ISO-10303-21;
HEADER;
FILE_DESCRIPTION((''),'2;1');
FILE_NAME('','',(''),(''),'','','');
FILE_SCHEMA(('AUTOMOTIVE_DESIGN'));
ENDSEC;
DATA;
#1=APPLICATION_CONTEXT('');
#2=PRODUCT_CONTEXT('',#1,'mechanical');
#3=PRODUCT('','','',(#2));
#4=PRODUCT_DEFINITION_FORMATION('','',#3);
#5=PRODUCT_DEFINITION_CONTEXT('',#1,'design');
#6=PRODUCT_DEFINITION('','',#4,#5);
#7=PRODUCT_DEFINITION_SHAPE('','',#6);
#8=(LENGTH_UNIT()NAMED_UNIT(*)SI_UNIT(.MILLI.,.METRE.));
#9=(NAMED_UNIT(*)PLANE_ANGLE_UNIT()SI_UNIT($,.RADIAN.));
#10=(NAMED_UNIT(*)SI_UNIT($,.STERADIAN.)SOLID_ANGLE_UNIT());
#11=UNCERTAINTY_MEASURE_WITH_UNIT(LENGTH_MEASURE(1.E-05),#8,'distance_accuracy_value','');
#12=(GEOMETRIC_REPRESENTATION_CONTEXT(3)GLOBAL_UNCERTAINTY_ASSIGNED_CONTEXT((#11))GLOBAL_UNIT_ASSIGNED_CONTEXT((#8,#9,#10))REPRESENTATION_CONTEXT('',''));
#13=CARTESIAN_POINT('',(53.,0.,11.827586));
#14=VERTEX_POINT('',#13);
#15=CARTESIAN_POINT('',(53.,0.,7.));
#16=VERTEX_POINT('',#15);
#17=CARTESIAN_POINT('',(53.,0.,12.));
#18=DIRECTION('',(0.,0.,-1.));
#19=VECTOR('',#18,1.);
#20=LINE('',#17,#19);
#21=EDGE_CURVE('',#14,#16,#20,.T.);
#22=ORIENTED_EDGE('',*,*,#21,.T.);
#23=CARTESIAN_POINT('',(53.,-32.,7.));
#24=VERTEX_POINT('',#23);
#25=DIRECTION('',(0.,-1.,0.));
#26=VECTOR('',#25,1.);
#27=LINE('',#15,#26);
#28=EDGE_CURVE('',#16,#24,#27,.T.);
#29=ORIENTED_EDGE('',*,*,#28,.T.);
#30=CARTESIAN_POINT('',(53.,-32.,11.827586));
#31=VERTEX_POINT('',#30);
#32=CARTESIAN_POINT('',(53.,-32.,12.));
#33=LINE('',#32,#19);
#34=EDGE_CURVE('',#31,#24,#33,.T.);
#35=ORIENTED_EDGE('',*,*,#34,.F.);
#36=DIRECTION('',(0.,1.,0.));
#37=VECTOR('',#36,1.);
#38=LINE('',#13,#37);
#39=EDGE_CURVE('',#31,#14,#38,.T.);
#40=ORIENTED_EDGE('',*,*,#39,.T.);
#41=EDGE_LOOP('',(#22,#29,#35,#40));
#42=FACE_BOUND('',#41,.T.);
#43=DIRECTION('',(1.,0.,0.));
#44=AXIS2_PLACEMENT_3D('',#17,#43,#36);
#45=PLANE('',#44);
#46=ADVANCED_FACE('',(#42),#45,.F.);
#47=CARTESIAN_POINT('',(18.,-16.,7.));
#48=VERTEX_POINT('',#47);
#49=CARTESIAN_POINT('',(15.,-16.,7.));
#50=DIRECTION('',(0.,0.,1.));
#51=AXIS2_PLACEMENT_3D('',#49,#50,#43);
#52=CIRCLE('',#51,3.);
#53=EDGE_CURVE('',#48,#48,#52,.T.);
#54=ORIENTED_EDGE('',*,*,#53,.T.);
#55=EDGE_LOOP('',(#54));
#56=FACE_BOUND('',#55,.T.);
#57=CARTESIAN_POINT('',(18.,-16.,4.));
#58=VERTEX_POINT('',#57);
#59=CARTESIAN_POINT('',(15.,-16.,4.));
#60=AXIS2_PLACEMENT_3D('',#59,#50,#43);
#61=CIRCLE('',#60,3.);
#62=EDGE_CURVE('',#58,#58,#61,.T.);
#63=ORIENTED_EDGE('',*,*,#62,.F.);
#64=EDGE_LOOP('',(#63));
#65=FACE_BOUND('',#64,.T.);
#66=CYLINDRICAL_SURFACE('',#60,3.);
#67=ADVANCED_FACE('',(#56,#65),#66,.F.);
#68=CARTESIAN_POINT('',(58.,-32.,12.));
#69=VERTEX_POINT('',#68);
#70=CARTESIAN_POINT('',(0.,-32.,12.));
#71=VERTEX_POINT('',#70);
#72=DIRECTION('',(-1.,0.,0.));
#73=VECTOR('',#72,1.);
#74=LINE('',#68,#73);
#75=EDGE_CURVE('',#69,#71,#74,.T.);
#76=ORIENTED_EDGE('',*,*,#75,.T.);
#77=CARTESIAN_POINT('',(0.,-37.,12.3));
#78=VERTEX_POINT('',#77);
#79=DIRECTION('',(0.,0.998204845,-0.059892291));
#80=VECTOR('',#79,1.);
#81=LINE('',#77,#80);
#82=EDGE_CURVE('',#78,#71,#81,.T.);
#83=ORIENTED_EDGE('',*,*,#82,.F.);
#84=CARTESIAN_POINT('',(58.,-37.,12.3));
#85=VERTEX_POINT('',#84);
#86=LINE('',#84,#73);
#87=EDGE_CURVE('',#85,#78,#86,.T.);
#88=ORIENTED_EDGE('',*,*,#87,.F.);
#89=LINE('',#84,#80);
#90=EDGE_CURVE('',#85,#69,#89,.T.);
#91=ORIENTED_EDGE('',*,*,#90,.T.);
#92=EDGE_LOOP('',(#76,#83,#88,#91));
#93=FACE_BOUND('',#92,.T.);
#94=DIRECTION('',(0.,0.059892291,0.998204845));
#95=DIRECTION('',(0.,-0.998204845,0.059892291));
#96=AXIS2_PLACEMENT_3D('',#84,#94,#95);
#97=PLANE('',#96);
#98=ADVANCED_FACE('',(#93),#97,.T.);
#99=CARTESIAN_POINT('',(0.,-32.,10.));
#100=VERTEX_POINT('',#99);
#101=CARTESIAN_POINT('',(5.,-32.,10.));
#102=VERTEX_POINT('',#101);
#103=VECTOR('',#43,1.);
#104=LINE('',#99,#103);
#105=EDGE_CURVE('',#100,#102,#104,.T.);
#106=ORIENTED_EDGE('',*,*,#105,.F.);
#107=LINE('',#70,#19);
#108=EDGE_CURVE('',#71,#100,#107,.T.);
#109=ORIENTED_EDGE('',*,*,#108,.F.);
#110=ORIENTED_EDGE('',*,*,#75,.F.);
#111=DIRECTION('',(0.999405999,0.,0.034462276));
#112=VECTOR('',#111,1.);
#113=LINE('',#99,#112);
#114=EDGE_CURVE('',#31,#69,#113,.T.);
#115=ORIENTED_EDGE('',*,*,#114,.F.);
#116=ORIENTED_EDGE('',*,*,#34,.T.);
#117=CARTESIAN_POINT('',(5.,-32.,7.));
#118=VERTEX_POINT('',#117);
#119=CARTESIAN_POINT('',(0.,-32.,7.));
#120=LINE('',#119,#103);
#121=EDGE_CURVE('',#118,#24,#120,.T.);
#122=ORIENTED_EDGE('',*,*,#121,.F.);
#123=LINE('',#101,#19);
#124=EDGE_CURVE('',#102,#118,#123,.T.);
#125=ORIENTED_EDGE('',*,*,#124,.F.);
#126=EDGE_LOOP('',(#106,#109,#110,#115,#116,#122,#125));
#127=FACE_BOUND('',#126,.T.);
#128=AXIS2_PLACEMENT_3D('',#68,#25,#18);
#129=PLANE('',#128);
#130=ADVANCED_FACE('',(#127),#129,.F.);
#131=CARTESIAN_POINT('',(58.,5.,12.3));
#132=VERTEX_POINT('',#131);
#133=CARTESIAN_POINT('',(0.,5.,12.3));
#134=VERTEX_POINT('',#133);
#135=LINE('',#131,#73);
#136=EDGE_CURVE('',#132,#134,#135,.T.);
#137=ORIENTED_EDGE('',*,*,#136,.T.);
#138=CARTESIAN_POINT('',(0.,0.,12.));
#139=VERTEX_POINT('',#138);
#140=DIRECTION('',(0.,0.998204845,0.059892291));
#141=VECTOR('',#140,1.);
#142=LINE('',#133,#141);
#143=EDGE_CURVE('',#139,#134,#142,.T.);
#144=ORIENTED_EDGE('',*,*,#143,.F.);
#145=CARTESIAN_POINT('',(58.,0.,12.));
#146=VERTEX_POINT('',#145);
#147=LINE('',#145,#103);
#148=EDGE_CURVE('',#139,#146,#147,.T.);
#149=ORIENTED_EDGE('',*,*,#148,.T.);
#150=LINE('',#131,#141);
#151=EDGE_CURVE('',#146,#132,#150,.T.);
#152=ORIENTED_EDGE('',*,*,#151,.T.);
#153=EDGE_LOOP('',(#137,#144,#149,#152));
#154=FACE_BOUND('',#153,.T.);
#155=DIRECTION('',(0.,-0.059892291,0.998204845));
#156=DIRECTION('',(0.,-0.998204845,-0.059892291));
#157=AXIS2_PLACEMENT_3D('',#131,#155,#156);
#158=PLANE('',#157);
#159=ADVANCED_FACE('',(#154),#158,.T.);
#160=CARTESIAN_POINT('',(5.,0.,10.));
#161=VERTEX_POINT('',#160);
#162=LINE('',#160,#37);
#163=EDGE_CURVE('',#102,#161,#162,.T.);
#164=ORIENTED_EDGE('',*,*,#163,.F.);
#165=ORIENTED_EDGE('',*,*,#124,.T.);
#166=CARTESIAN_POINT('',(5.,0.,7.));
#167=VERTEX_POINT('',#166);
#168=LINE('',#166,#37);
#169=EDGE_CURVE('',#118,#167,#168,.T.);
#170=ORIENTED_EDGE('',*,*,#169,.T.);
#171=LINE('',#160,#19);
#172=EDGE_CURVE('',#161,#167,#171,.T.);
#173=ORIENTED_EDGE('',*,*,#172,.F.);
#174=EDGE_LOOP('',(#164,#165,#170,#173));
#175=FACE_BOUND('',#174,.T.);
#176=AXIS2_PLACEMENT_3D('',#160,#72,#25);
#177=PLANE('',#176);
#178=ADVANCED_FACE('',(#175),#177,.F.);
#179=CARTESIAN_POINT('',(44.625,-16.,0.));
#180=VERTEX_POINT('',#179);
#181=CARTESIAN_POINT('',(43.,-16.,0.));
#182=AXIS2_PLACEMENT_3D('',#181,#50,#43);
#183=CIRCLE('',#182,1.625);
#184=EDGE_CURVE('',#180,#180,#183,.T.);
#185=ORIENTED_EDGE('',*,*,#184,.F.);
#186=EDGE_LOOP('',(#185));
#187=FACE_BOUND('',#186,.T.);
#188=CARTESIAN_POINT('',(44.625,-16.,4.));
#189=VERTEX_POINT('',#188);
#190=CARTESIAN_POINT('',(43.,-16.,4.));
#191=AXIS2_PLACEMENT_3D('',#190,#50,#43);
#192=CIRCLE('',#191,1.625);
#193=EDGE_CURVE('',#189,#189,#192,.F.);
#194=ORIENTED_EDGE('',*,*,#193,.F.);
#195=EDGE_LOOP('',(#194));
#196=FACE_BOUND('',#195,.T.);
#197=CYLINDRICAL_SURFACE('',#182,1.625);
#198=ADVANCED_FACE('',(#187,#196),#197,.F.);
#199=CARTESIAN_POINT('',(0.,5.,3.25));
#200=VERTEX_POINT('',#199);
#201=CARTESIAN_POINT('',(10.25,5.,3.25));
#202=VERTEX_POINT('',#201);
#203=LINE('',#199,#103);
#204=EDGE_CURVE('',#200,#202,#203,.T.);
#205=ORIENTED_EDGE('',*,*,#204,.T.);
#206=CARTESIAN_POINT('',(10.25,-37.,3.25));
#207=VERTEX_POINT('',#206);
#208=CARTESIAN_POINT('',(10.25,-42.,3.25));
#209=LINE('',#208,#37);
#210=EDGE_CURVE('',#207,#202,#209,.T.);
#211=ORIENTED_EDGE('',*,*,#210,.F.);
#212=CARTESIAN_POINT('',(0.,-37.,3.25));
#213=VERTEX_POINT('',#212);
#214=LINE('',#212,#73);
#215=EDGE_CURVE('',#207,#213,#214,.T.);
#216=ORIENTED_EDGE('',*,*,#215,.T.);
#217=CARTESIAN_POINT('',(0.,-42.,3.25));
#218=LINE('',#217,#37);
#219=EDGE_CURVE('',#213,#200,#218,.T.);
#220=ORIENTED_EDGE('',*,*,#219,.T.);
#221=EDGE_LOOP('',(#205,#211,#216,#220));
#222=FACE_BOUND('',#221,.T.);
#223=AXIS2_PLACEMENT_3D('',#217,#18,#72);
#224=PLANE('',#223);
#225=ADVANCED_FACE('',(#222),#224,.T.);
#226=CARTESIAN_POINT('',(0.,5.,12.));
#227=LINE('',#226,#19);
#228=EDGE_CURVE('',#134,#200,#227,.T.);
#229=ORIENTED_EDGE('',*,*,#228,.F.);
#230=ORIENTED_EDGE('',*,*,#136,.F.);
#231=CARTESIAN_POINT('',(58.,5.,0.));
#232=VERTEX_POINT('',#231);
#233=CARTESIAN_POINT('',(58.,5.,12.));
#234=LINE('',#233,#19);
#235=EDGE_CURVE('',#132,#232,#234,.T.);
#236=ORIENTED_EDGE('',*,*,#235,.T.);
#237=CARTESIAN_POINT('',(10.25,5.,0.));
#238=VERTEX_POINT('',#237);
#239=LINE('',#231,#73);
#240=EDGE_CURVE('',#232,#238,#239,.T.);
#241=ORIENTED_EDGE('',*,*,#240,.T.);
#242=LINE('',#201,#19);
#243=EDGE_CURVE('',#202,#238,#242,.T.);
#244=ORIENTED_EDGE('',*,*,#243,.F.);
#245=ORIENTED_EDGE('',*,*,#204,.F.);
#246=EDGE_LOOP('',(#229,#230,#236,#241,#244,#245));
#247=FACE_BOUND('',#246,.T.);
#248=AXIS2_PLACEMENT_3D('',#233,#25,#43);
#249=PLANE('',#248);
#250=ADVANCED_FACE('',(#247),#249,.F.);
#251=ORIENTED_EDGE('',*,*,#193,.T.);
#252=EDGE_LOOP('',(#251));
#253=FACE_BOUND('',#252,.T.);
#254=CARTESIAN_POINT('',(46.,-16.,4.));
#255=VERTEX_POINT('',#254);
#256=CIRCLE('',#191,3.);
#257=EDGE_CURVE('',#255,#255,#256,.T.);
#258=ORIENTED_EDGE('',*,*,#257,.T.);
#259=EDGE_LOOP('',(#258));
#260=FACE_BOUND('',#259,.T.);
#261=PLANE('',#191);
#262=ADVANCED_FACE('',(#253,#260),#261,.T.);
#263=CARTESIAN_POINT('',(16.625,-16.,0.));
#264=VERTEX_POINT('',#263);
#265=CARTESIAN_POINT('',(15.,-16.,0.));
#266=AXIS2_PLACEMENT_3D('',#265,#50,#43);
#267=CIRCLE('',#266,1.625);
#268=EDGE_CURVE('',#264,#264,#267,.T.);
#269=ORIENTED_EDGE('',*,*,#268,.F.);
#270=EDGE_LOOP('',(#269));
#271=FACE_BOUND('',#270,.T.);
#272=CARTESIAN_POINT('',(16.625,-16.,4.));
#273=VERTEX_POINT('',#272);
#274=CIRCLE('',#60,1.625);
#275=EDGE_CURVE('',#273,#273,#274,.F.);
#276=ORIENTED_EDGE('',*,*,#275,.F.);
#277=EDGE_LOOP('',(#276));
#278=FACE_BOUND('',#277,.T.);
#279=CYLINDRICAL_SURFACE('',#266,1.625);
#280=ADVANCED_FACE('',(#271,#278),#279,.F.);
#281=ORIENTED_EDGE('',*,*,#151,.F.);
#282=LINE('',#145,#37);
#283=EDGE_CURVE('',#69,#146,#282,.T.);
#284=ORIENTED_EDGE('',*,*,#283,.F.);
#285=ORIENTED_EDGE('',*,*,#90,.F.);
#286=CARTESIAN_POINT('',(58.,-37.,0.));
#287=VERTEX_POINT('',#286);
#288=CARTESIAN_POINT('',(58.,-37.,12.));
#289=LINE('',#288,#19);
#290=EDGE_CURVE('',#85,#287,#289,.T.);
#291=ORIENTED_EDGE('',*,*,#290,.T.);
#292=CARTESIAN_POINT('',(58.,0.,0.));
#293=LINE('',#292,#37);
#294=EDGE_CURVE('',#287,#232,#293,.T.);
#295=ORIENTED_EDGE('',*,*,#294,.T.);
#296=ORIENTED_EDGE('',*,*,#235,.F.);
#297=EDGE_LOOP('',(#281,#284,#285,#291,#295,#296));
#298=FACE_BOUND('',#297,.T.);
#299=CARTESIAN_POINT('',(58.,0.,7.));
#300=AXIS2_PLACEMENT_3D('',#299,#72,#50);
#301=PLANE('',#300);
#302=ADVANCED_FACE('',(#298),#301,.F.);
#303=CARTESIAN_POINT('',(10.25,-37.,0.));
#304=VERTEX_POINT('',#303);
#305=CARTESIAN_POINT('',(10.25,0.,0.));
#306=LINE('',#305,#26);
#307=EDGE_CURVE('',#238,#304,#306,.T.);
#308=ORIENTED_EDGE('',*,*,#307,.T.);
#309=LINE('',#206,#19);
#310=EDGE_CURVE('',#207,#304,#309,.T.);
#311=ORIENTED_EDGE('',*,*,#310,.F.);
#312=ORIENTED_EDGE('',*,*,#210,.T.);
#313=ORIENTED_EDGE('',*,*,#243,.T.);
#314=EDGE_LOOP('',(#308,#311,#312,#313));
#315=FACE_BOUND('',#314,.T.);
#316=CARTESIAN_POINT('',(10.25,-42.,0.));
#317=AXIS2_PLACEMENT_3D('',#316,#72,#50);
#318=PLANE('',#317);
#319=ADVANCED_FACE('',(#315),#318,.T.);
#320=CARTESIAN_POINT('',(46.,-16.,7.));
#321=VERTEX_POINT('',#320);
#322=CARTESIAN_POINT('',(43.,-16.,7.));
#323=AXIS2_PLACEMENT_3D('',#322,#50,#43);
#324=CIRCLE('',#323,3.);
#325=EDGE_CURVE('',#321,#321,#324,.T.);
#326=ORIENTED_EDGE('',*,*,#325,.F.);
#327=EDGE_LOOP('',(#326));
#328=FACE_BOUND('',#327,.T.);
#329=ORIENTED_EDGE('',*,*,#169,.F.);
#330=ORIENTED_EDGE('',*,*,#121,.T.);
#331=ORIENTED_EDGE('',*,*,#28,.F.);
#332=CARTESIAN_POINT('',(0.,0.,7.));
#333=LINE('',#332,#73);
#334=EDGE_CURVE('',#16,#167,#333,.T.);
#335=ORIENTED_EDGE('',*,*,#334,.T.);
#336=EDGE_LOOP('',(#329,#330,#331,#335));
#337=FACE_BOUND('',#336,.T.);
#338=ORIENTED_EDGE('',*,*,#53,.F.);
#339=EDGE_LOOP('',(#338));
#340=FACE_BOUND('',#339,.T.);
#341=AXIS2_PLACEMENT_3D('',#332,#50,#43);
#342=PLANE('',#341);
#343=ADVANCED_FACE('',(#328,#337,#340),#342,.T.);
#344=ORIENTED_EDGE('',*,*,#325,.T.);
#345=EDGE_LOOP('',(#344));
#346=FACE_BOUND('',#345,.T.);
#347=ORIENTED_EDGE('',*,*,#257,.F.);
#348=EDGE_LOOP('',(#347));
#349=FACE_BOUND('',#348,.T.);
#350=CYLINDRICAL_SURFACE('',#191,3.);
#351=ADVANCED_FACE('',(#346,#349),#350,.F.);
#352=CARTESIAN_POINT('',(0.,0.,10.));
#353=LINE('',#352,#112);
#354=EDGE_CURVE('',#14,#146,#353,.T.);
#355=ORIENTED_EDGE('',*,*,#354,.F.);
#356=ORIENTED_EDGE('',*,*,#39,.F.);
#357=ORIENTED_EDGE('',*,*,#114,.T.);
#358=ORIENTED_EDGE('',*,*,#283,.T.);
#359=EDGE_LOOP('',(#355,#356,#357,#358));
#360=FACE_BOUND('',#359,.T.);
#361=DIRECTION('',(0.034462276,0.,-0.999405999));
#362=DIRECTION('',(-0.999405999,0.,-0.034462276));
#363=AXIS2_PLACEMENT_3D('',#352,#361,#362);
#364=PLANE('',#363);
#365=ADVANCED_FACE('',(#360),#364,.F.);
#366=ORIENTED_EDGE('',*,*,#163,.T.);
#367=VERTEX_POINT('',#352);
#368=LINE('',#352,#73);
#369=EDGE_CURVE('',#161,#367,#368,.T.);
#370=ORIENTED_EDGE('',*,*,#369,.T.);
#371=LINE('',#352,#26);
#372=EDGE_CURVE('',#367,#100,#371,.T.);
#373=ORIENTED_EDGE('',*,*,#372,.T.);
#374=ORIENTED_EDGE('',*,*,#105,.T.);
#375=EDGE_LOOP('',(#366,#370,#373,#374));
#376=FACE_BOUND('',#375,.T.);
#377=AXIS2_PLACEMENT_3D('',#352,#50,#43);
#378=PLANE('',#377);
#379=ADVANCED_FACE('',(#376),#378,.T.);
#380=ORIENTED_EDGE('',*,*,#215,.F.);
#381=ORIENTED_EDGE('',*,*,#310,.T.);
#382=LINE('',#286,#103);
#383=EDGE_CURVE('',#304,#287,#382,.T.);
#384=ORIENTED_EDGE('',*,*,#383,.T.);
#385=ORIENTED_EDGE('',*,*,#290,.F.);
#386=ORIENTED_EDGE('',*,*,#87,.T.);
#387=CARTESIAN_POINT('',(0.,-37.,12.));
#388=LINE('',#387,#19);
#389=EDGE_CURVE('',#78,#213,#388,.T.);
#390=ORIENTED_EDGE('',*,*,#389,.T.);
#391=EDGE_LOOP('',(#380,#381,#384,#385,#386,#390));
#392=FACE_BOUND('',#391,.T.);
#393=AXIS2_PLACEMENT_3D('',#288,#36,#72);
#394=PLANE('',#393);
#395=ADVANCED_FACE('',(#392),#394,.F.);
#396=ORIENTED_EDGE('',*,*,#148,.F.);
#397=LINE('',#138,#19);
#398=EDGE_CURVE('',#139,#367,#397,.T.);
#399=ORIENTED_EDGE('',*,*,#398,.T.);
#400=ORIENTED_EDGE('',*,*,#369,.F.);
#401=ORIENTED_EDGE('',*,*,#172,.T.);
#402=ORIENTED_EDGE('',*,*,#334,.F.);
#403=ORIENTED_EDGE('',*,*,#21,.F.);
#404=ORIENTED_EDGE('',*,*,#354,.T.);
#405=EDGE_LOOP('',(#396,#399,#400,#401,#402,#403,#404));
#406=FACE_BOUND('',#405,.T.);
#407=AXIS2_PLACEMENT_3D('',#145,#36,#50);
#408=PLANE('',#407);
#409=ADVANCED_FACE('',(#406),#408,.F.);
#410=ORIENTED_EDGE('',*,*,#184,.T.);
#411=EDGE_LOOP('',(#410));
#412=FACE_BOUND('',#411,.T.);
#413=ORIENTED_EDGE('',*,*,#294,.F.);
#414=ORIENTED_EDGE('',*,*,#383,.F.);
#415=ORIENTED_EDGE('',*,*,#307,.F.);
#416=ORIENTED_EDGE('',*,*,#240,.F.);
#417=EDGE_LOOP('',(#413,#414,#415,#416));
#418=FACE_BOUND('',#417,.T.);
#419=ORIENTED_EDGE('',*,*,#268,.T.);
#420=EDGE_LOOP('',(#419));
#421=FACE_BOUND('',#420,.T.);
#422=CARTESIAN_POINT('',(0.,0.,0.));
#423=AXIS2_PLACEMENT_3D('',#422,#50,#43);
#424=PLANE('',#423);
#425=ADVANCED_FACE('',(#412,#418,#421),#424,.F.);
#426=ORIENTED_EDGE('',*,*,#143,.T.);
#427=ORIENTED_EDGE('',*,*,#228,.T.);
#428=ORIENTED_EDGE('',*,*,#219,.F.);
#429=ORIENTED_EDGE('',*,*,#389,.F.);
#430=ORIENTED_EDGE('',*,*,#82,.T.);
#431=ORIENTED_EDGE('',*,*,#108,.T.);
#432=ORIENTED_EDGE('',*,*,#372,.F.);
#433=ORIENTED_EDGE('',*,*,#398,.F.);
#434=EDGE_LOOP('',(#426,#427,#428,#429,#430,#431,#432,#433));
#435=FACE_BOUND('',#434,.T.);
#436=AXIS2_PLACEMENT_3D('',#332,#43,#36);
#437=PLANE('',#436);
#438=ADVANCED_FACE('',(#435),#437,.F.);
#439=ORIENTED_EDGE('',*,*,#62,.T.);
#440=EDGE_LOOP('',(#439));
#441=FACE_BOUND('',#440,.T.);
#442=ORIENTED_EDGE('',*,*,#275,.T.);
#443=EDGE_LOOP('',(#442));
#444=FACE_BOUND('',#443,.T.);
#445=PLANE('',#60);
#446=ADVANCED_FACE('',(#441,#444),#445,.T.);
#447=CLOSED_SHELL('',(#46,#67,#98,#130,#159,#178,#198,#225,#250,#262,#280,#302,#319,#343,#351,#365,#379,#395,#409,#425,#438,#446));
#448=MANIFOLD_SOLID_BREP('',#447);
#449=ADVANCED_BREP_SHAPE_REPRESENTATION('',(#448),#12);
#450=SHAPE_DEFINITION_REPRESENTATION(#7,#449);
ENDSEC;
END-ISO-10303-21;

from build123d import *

# Parameters (mm, degrees)
ESQUISSE1_W                  = 58
ESQUISSE1_H                  = 32
BOSS_EXTRU_1_DEPTH           = 7
ESQUISSE2_W                  = 5
ESQUISSE2_H                  = 32
BOSS_EXTRU_3_DEPTH           = 3
ESQUISSE3_W                  = 5
ESQUISSE3_H                  = 32
BOSS_EXTRU_4_DEPTH           = 5
ENL_V_MAT_EXTRU_1_DEPTH      = 33
ESQUISSE6_R                  = 1.625
ENL_V_MAT_EXTRU_2_DEPTH      = 8
ESQUISSE8_R                  = 3
ENL_V_MAT_EXTRU_4_DEPTH      = 3
ESQUISSE7_W                  = 10.25
ESQUISSE7_H                  = 3.25
ENL_V_MAT_EXTRU_3_DEPTH      = 10
ENL_V_MAT_EXTRU_3_DEPTH_BACK = 50
ESQUISSE9_W                  = 58
ESQUISSE9_H                  = 5
BOSS_EXTRU_5_DEPTH           = 12
BOSS_EXTRU_6_DEPTH           = 58
ESQUISSE12_W                 = 10.25
ESQUISSE12_H                 = 5
ENL_V_MAT_EXTRU_5_DEPTH      = 3.25


with BuildPart() as part:
    # Esquisse1 → Boss.-Extru.1 (new body)
    with BuildSketch(Plane.XY):
        with Locations((29, -16)):
            Rectangle(ESQUISSE1_W, ESQUISSE1_H)
    extrude(amount=BOSS_EXTRU_1_DEPTH)

    # Esquisse2 → Boss.-Extru.3 (add)
    with BuildSketch(Plane.XY.offset(7)):
        with Locations((2.5, -16)):
            Rectangle(ESQUISSE2_W, ESQUISSE2_H)
    extrude(amount=BOSS_EXTRU_3_DEPTH)

    # Esquisse3 → Boss.-Extru.4 (add)
    with BuildSketch(Plane.XY.offset(7)):
        with Locations((55.5, -16)):
            Rectangle(ESQUISSE3_W, ESQUISSE3_H)
    extrude(amount=BOSS_EXTRU_4_DEPTH)

    # Esquisse4 → Enlèv. mat.-Extru.1 (cut, through all)
    with BuildSketch(Plane.XZ.offset(32)):
        Polygon((0, 10), (58, 12), (0, 12), align=None)
    extrude(amount=-ENL_V_MAT_EXTRU_1_DEPTH, mode=Mode.SUBTRACT)

    # Esquisse6 → Enlèv. mat.-Extru.2 (cut, through all)
    with BuildSketch(Plane.XY.offset(7)):
        with Locations((43, -16)):
            Circle(ESQUISSE6_R)
        with Locations((15, -16)):
            Circle(ESQUISSE6_R)
    extrude(amount=-ENL_V_MAT_EXTRU_2_DEPTH, mode=Mode.SUBTRACT)

    # Esquisse8 → Enlèv. mat.-Extru.4 (cut)
    with BuildSketch(Plane.XY.offset(7)):
        with Locations((15, -16)):
            Circle(ESQUISSE8_R)
        with Locations((43, -16)):
            Circle(ESQUISSE8_R)
    extrude(amount=-ENL_V_MAT_EXTRU_4_DEPTH, mode=Mode.SUBTRACT)

    # Esquisse7 → Enlèv. mat.-Extru.3 (cut, two sides)
    with BuildSketch(Plane.XZ.offset(32)) as enl_v_mat_extru_3_sk:
        with Locations((5.125, 1.625)):
            Rectangle(ESQUISSE7_W, ESQUISSE7_H)
    extrude(amount=ENL_V_MAT_EXTRU_3_DEPTH, mode=Mode.SUBTRACT)
    extrude(enl_v_mat_extru_3_sk.sketch, amount=-ENL_V_MAT_EXTRU_3_DEPTH_BACK, mode=Mode.SUBTRACT)

    # Esquisse9 → Boss.-Extru.5 (add)
    with BuildSketch(Plane.XY):
        with Locations((29, 2.5)):
            Rectangle(ESQUISSE9_W, ESQUISSE9_H)
        with Locations((29, -34.5)):
            Rectangle(ESQUISSE9_W, ESQUISSE9_H)
    extrude(amount=BOSS_EXTRU_5_DEPTH)

    # Esquisse10 → Boss.-Extru.6 (add, through all)
    with BuildSketch(Plane.ZY):
        Polygon((12, 5), (12.3, 5), (12, 0), align=None)
        Polygon((12, -32), (12, -37), (12.3, -37), align=None)
    extrude(amount=-BOSS_EXTRU_6_DEPTH)

    # Esquisse12 → Enlèv. mat.-Extru.5 (cut)
    with BuildSketch(Plane(origin=(0, 0, 0), x_dir=(-1, 0, 0), z_dir=(0, 0, -1))):
        with Locations((-5.125, -34.5)):
            Rectangle(ESQUISSE12_W, ESQUISSE12_H)
        with Locations((-5.125, 2.5)):
            Rectangle(ESQUISSE12_W, ESQUISSE12_H)
    extrude(amount=-ENL_V_MAT_EXTRU_5_DEPTH, mode=Mode.SUBTRACT)


solid = part.part
